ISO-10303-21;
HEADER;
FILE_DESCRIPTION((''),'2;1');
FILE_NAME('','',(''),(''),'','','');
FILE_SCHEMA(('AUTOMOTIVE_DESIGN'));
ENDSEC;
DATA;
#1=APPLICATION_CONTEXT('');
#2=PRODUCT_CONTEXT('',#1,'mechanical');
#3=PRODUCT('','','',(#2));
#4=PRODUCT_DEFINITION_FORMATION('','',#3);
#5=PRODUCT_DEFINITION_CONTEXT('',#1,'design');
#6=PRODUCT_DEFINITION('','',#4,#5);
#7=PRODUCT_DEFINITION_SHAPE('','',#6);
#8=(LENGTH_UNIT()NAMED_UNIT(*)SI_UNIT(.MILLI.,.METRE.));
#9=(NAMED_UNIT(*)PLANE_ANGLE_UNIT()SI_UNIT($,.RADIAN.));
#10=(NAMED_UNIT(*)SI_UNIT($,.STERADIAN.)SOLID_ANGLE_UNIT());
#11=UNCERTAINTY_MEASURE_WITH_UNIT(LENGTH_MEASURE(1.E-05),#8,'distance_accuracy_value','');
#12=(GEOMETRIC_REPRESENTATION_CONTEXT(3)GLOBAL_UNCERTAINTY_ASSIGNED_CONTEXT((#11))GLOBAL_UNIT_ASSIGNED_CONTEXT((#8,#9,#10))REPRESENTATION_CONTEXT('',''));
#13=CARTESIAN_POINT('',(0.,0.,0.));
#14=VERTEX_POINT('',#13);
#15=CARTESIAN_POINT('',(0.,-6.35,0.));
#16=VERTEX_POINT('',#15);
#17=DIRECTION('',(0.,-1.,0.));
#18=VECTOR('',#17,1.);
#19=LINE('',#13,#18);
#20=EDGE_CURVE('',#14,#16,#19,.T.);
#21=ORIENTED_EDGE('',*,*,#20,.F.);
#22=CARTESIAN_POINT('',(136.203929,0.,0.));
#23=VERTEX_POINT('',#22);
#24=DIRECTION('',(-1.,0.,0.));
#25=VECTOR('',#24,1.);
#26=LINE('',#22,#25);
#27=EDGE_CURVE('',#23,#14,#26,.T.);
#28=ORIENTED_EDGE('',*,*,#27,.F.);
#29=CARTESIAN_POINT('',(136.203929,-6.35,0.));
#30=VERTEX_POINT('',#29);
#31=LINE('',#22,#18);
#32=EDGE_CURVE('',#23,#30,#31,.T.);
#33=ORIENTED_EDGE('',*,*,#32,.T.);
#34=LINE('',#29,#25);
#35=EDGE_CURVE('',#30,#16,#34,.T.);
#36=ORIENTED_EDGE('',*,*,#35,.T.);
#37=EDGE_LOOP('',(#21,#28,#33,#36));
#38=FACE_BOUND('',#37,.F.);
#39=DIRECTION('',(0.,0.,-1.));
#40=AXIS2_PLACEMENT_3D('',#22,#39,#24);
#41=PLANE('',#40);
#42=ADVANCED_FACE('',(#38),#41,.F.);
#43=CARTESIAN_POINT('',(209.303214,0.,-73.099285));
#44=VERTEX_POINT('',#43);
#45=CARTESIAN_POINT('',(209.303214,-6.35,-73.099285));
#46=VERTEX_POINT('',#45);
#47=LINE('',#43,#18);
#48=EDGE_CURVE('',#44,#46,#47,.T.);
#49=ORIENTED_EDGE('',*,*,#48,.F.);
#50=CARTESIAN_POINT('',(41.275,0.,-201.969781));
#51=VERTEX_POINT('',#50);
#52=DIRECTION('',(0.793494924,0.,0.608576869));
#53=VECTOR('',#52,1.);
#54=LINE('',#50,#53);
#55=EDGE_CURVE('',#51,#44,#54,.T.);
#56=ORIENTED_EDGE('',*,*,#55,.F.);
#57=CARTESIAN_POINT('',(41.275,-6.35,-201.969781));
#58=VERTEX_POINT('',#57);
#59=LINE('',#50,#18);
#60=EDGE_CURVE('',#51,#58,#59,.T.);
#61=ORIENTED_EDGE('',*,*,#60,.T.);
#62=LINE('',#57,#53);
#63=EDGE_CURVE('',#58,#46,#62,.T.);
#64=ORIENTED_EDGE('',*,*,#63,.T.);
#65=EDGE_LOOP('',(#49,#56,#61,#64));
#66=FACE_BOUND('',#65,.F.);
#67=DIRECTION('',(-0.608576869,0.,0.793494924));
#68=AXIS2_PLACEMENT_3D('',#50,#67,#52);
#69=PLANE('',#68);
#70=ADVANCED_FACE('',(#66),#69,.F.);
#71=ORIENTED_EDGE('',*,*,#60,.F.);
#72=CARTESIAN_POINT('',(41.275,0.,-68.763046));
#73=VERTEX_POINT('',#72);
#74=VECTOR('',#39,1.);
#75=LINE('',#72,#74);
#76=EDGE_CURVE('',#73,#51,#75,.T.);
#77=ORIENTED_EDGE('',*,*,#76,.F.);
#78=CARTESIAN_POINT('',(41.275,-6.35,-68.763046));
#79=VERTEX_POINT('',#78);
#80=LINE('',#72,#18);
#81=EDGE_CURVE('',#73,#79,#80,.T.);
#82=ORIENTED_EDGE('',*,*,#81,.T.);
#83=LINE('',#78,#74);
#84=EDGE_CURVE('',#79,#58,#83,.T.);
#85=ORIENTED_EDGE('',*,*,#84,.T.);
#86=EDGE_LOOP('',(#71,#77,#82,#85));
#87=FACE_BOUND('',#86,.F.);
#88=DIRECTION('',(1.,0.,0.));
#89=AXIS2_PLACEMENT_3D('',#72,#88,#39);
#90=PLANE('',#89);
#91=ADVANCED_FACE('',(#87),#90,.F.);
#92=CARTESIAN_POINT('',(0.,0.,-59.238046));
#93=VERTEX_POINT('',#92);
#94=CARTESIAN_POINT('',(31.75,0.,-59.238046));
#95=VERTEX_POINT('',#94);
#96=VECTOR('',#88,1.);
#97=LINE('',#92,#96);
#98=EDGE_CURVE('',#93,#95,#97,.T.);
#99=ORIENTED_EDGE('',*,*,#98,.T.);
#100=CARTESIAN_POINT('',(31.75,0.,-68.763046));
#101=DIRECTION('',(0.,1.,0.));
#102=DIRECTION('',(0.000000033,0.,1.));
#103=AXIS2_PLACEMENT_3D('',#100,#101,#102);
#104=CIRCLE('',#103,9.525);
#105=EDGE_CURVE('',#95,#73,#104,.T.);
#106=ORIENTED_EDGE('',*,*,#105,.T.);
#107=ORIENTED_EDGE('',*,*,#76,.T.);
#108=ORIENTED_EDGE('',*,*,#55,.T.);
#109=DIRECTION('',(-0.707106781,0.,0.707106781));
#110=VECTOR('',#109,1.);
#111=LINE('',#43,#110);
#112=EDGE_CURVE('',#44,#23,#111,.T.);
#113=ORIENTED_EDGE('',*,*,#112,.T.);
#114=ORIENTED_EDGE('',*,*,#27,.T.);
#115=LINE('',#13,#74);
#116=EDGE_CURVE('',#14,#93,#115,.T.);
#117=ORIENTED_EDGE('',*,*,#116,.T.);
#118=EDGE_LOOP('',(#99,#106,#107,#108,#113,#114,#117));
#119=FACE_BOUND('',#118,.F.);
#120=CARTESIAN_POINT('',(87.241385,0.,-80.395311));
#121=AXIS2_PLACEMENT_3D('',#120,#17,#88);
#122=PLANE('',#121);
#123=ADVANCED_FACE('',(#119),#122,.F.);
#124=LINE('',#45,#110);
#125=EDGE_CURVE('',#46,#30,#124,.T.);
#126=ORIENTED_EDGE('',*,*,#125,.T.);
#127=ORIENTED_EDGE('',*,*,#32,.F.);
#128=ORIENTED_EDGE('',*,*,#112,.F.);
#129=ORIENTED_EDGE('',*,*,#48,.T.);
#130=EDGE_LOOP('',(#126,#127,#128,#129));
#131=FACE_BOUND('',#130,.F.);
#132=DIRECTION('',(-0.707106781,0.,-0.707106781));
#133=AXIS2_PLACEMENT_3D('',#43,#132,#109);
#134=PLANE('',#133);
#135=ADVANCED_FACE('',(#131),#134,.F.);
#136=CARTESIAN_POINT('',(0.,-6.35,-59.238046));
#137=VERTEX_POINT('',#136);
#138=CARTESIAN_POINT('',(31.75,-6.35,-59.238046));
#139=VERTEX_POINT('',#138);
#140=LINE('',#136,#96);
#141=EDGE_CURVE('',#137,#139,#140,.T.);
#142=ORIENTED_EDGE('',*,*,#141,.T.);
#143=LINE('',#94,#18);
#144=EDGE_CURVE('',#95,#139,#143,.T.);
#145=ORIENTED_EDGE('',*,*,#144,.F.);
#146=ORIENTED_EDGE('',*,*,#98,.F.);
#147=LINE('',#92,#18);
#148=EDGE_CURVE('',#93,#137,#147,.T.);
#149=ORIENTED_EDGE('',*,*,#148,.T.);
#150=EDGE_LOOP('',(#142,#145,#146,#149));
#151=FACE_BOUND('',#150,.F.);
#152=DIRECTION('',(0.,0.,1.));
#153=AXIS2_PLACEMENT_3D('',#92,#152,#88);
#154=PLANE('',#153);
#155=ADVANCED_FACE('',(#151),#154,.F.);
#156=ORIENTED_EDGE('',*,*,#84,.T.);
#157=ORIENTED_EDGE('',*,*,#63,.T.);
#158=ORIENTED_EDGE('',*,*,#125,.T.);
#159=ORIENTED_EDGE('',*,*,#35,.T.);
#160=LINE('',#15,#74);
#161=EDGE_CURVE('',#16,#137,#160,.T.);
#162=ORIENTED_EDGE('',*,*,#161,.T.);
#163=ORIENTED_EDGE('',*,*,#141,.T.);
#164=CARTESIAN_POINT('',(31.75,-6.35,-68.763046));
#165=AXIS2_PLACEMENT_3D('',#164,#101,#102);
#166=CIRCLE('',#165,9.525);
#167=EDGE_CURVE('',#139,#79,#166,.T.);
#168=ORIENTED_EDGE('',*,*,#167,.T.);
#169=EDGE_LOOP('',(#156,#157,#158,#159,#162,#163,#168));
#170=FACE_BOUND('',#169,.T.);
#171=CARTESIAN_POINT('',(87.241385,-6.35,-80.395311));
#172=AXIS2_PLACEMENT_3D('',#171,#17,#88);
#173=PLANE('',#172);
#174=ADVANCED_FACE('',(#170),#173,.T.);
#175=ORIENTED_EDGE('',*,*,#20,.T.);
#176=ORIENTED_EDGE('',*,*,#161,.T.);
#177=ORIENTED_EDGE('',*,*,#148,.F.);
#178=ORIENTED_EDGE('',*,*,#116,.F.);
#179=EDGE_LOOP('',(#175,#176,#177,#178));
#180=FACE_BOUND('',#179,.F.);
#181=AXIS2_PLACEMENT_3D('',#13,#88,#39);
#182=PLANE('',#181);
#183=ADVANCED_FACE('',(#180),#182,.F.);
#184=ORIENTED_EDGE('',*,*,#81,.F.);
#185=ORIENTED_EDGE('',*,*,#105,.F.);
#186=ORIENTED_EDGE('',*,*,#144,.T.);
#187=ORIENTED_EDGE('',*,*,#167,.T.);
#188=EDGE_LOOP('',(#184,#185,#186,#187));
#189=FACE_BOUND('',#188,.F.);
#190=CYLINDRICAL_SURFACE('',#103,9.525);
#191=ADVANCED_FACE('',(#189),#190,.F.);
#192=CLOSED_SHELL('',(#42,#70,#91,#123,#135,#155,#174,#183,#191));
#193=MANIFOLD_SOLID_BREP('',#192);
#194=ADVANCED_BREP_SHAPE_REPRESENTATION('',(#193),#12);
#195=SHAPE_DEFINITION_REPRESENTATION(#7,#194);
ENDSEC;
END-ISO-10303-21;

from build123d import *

# Parameters (mm, degrees)
F1_DEPTH = 6.35


with BuildPart() as f1:
    # F0 (on Front) → F1 (new body)
    with BuildSketch(Plane.XZ):
        with BuildLine():
            Line((209.303214, -73.099285), (136.203929, 0))
            Line((136.203929, 0), (0, 0))
            Line((0, 0), (0, -59.238046))
            Line((0, -59.238046), (31.75, -59.238046))
            ThreePointArc((31.75, -59.238046), (38.485192, -62.027854), (41.275, -68.763046))
            Line((41.275, -68.763046), (41.275, -201.969781))
            Line((41.275, -201.969781), (209.303214, -73.099285))
        make_face()
    extrude(amount=F1_DEPTH)


solid = f1.part
